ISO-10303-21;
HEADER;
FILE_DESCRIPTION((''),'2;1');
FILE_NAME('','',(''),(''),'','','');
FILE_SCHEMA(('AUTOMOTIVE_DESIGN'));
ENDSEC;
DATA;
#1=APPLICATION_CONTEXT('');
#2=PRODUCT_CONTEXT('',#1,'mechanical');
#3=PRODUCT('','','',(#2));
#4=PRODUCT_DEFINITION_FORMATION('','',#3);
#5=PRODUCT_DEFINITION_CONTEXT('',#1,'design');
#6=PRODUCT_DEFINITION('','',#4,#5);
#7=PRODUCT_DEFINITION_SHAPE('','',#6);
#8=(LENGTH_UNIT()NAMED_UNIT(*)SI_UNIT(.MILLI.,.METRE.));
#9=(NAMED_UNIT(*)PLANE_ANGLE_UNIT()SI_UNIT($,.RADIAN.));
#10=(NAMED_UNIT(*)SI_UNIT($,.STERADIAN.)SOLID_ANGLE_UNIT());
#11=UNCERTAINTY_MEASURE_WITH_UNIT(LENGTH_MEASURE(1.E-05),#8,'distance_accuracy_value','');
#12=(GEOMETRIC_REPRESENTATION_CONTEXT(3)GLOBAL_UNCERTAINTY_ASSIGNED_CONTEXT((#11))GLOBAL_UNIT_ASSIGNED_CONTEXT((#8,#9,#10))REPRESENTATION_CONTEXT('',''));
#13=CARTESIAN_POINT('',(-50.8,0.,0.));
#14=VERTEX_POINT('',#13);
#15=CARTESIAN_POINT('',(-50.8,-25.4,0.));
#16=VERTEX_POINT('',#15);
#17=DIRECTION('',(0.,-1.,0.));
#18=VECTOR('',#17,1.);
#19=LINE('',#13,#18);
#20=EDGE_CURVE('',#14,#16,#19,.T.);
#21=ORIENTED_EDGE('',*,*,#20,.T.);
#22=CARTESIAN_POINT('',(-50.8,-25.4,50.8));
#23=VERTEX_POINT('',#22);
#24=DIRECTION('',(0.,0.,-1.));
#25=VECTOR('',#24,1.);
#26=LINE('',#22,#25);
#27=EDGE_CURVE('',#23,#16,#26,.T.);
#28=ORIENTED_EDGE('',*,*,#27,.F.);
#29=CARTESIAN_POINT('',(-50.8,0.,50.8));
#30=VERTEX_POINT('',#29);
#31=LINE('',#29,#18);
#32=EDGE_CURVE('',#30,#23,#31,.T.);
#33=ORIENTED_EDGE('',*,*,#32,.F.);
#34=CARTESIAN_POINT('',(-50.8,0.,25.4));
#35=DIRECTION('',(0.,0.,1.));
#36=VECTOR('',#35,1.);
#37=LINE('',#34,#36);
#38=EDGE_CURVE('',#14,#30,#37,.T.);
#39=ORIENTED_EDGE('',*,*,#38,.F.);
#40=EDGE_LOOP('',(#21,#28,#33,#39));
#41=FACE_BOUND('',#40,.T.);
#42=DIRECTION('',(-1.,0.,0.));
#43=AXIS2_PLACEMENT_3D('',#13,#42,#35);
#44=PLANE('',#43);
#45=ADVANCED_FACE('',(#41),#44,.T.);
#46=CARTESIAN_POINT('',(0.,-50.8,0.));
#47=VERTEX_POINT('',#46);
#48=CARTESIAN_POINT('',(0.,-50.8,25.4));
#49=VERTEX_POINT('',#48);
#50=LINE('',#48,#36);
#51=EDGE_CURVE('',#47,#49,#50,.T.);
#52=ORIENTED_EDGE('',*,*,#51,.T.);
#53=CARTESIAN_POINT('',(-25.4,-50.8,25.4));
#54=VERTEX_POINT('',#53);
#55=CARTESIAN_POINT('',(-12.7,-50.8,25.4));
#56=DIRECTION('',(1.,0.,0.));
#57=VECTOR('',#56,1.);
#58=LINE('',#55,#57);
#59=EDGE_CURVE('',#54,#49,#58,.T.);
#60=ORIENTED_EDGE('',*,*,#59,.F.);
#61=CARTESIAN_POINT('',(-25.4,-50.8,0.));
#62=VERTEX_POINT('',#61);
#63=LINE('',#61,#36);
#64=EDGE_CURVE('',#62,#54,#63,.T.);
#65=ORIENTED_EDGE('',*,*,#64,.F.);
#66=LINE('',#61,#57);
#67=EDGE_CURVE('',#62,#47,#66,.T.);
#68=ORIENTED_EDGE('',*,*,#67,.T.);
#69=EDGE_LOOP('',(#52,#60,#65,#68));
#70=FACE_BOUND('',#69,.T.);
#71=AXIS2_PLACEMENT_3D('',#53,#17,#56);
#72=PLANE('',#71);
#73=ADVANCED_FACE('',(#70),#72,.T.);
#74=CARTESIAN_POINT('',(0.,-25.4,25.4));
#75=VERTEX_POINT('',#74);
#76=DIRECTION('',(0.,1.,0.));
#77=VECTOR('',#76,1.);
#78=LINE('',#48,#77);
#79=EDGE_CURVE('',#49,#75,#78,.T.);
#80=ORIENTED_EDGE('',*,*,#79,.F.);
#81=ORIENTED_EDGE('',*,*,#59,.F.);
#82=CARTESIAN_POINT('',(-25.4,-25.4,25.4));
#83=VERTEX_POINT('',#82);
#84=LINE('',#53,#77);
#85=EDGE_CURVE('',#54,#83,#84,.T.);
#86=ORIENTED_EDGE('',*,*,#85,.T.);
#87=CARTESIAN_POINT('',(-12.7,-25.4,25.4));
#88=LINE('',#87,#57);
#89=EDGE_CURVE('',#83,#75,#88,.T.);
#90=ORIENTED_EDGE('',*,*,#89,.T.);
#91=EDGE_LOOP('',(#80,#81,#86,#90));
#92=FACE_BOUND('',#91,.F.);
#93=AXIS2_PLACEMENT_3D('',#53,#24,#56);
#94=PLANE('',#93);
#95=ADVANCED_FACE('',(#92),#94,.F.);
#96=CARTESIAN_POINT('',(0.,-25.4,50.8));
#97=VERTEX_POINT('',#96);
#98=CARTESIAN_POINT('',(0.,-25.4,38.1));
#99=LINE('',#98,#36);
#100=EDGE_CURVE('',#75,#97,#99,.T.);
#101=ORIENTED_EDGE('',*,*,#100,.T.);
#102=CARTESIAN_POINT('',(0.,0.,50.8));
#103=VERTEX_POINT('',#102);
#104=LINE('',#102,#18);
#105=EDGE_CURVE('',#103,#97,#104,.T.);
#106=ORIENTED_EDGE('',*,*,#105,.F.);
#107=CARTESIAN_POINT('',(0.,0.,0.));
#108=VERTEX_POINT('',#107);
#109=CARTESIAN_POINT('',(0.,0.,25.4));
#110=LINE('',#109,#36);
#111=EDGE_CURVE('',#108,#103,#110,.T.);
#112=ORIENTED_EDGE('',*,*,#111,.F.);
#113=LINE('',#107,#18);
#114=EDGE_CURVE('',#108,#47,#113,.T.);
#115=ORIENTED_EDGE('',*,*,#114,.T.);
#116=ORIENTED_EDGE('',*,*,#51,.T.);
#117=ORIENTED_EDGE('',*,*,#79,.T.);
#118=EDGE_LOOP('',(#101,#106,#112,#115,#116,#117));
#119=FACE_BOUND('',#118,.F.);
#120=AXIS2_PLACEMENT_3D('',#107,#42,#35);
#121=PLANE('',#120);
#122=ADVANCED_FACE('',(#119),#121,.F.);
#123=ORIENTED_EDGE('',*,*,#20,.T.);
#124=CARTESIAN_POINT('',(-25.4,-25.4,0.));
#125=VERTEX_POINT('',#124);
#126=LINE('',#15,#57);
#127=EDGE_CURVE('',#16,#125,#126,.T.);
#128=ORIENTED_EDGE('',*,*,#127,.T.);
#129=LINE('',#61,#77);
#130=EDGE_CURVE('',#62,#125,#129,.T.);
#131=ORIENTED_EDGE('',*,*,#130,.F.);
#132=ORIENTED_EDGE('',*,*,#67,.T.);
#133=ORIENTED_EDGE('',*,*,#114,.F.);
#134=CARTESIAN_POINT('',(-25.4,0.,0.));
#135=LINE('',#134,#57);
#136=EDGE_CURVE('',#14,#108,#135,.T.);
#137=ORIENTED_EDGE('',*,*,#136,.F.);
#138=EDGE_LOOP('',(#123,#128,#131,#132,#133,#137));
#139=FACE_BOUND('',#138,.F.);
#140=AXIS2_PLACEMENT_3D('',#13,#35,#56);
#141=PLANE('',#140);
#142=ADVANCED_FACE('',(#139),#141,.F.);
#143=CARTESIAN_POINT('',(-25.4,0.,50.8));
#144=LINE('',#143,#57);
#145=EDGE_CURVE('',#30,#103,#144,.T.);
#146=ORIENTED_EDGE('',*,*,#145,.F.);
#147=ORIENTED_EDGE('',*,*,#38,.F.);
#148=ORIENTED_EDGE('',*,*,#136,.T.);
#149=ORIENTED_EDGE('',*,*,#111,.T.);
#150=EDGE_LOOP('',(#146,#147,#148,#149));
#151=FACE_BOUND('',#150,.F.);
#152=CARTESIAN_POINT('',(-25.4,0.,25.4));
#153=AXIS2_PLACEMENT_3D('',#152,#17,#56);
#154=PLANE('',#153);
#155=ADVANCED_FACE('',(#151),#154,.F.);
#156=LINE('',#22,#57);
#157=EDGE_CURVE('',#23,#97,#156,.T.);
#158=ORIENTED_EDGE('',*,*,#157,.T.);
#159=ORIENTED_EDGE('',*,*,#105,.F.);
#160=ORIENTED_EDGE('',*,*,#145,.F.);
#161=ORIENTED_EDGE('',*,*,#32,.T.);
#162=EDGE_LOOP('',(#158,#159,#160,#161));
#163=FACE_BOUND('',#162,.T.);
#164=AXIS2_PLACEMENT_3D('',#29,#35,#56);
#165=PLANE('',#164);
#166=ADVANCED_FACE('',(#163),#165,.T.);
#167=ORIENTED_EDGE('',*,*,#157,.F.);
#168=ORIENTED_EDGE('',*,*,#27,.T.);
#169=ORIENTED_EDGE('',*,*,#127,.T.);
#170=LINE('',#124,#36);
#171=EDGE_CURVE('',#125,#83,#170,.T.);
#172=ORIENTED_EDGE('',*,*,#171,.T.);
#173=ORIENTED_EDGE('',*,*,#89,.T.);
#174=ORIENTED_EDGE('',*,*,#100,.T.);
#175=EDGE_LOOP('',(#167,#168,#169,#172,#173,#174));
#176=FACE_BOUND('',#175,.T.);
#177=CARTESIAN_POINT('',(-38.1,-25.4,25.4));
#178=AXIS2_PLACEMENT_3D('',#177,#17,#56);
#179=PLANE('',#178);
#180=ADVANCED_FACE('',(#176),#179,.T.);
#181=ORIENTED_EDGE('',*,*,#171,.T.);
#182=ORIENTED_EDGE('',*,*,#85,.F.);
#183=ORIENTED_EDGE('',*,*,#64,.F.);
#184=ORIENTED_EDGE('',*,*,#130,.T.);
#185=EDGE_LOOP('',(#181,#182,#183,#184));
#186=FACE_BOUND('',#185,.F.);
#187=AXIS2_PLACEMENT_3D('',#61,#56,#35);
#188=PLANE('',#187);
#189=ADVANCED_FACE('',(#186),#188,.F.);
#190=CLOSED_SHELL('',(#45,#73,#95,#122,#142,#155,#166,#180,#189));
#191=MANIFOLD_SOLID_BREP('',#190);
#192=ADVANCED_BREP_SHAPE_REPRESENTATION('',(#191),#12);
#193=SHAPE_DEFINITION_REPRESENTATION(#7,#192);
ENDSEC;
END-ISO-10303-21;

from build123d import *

# Parameters (mm, degrees)
F0_W     = 50.8
F0_H     = 50.8
F1_DEPTH = 50.8
F3_DEPTH = 25.4
F4_W     = 25.4
F4_H     = 25.4
F5_DEPTH = 25.4


with BuildPart() as f1:
    # F0 (on Front) → F1 (new body)
    with BuildSketch(Plane.XZ):
        with Locations((-25.4, 25.4)):
            Rectangle(F0_W, F0_H)
    extrude(amount=F1_DEPTH)

    # F2 (on face) → F3 (cut)
    with BuildSketch(Plane.XZ.offset(50.8)):
        Polygon((-25.4, 50.8), (-50.8, 50.8), (-50.8, 0), (-25.4, 0), (-25.4, 25.4), align=None)
    extrude(amount=-F3_DEPTH, mode=Mode.SUBTRACT)

    # F4 (on face) → F5 (cut)
    with BuildSketch(Plane.XZ.offset(50.8)):
        with Locations((-12.7, 38.1)):
            Rectangle(F4_W, F4_H)
    extrude(amount=-F5_DEPTH, mode=Mode.SUBTRACT)


solid = f1.part
